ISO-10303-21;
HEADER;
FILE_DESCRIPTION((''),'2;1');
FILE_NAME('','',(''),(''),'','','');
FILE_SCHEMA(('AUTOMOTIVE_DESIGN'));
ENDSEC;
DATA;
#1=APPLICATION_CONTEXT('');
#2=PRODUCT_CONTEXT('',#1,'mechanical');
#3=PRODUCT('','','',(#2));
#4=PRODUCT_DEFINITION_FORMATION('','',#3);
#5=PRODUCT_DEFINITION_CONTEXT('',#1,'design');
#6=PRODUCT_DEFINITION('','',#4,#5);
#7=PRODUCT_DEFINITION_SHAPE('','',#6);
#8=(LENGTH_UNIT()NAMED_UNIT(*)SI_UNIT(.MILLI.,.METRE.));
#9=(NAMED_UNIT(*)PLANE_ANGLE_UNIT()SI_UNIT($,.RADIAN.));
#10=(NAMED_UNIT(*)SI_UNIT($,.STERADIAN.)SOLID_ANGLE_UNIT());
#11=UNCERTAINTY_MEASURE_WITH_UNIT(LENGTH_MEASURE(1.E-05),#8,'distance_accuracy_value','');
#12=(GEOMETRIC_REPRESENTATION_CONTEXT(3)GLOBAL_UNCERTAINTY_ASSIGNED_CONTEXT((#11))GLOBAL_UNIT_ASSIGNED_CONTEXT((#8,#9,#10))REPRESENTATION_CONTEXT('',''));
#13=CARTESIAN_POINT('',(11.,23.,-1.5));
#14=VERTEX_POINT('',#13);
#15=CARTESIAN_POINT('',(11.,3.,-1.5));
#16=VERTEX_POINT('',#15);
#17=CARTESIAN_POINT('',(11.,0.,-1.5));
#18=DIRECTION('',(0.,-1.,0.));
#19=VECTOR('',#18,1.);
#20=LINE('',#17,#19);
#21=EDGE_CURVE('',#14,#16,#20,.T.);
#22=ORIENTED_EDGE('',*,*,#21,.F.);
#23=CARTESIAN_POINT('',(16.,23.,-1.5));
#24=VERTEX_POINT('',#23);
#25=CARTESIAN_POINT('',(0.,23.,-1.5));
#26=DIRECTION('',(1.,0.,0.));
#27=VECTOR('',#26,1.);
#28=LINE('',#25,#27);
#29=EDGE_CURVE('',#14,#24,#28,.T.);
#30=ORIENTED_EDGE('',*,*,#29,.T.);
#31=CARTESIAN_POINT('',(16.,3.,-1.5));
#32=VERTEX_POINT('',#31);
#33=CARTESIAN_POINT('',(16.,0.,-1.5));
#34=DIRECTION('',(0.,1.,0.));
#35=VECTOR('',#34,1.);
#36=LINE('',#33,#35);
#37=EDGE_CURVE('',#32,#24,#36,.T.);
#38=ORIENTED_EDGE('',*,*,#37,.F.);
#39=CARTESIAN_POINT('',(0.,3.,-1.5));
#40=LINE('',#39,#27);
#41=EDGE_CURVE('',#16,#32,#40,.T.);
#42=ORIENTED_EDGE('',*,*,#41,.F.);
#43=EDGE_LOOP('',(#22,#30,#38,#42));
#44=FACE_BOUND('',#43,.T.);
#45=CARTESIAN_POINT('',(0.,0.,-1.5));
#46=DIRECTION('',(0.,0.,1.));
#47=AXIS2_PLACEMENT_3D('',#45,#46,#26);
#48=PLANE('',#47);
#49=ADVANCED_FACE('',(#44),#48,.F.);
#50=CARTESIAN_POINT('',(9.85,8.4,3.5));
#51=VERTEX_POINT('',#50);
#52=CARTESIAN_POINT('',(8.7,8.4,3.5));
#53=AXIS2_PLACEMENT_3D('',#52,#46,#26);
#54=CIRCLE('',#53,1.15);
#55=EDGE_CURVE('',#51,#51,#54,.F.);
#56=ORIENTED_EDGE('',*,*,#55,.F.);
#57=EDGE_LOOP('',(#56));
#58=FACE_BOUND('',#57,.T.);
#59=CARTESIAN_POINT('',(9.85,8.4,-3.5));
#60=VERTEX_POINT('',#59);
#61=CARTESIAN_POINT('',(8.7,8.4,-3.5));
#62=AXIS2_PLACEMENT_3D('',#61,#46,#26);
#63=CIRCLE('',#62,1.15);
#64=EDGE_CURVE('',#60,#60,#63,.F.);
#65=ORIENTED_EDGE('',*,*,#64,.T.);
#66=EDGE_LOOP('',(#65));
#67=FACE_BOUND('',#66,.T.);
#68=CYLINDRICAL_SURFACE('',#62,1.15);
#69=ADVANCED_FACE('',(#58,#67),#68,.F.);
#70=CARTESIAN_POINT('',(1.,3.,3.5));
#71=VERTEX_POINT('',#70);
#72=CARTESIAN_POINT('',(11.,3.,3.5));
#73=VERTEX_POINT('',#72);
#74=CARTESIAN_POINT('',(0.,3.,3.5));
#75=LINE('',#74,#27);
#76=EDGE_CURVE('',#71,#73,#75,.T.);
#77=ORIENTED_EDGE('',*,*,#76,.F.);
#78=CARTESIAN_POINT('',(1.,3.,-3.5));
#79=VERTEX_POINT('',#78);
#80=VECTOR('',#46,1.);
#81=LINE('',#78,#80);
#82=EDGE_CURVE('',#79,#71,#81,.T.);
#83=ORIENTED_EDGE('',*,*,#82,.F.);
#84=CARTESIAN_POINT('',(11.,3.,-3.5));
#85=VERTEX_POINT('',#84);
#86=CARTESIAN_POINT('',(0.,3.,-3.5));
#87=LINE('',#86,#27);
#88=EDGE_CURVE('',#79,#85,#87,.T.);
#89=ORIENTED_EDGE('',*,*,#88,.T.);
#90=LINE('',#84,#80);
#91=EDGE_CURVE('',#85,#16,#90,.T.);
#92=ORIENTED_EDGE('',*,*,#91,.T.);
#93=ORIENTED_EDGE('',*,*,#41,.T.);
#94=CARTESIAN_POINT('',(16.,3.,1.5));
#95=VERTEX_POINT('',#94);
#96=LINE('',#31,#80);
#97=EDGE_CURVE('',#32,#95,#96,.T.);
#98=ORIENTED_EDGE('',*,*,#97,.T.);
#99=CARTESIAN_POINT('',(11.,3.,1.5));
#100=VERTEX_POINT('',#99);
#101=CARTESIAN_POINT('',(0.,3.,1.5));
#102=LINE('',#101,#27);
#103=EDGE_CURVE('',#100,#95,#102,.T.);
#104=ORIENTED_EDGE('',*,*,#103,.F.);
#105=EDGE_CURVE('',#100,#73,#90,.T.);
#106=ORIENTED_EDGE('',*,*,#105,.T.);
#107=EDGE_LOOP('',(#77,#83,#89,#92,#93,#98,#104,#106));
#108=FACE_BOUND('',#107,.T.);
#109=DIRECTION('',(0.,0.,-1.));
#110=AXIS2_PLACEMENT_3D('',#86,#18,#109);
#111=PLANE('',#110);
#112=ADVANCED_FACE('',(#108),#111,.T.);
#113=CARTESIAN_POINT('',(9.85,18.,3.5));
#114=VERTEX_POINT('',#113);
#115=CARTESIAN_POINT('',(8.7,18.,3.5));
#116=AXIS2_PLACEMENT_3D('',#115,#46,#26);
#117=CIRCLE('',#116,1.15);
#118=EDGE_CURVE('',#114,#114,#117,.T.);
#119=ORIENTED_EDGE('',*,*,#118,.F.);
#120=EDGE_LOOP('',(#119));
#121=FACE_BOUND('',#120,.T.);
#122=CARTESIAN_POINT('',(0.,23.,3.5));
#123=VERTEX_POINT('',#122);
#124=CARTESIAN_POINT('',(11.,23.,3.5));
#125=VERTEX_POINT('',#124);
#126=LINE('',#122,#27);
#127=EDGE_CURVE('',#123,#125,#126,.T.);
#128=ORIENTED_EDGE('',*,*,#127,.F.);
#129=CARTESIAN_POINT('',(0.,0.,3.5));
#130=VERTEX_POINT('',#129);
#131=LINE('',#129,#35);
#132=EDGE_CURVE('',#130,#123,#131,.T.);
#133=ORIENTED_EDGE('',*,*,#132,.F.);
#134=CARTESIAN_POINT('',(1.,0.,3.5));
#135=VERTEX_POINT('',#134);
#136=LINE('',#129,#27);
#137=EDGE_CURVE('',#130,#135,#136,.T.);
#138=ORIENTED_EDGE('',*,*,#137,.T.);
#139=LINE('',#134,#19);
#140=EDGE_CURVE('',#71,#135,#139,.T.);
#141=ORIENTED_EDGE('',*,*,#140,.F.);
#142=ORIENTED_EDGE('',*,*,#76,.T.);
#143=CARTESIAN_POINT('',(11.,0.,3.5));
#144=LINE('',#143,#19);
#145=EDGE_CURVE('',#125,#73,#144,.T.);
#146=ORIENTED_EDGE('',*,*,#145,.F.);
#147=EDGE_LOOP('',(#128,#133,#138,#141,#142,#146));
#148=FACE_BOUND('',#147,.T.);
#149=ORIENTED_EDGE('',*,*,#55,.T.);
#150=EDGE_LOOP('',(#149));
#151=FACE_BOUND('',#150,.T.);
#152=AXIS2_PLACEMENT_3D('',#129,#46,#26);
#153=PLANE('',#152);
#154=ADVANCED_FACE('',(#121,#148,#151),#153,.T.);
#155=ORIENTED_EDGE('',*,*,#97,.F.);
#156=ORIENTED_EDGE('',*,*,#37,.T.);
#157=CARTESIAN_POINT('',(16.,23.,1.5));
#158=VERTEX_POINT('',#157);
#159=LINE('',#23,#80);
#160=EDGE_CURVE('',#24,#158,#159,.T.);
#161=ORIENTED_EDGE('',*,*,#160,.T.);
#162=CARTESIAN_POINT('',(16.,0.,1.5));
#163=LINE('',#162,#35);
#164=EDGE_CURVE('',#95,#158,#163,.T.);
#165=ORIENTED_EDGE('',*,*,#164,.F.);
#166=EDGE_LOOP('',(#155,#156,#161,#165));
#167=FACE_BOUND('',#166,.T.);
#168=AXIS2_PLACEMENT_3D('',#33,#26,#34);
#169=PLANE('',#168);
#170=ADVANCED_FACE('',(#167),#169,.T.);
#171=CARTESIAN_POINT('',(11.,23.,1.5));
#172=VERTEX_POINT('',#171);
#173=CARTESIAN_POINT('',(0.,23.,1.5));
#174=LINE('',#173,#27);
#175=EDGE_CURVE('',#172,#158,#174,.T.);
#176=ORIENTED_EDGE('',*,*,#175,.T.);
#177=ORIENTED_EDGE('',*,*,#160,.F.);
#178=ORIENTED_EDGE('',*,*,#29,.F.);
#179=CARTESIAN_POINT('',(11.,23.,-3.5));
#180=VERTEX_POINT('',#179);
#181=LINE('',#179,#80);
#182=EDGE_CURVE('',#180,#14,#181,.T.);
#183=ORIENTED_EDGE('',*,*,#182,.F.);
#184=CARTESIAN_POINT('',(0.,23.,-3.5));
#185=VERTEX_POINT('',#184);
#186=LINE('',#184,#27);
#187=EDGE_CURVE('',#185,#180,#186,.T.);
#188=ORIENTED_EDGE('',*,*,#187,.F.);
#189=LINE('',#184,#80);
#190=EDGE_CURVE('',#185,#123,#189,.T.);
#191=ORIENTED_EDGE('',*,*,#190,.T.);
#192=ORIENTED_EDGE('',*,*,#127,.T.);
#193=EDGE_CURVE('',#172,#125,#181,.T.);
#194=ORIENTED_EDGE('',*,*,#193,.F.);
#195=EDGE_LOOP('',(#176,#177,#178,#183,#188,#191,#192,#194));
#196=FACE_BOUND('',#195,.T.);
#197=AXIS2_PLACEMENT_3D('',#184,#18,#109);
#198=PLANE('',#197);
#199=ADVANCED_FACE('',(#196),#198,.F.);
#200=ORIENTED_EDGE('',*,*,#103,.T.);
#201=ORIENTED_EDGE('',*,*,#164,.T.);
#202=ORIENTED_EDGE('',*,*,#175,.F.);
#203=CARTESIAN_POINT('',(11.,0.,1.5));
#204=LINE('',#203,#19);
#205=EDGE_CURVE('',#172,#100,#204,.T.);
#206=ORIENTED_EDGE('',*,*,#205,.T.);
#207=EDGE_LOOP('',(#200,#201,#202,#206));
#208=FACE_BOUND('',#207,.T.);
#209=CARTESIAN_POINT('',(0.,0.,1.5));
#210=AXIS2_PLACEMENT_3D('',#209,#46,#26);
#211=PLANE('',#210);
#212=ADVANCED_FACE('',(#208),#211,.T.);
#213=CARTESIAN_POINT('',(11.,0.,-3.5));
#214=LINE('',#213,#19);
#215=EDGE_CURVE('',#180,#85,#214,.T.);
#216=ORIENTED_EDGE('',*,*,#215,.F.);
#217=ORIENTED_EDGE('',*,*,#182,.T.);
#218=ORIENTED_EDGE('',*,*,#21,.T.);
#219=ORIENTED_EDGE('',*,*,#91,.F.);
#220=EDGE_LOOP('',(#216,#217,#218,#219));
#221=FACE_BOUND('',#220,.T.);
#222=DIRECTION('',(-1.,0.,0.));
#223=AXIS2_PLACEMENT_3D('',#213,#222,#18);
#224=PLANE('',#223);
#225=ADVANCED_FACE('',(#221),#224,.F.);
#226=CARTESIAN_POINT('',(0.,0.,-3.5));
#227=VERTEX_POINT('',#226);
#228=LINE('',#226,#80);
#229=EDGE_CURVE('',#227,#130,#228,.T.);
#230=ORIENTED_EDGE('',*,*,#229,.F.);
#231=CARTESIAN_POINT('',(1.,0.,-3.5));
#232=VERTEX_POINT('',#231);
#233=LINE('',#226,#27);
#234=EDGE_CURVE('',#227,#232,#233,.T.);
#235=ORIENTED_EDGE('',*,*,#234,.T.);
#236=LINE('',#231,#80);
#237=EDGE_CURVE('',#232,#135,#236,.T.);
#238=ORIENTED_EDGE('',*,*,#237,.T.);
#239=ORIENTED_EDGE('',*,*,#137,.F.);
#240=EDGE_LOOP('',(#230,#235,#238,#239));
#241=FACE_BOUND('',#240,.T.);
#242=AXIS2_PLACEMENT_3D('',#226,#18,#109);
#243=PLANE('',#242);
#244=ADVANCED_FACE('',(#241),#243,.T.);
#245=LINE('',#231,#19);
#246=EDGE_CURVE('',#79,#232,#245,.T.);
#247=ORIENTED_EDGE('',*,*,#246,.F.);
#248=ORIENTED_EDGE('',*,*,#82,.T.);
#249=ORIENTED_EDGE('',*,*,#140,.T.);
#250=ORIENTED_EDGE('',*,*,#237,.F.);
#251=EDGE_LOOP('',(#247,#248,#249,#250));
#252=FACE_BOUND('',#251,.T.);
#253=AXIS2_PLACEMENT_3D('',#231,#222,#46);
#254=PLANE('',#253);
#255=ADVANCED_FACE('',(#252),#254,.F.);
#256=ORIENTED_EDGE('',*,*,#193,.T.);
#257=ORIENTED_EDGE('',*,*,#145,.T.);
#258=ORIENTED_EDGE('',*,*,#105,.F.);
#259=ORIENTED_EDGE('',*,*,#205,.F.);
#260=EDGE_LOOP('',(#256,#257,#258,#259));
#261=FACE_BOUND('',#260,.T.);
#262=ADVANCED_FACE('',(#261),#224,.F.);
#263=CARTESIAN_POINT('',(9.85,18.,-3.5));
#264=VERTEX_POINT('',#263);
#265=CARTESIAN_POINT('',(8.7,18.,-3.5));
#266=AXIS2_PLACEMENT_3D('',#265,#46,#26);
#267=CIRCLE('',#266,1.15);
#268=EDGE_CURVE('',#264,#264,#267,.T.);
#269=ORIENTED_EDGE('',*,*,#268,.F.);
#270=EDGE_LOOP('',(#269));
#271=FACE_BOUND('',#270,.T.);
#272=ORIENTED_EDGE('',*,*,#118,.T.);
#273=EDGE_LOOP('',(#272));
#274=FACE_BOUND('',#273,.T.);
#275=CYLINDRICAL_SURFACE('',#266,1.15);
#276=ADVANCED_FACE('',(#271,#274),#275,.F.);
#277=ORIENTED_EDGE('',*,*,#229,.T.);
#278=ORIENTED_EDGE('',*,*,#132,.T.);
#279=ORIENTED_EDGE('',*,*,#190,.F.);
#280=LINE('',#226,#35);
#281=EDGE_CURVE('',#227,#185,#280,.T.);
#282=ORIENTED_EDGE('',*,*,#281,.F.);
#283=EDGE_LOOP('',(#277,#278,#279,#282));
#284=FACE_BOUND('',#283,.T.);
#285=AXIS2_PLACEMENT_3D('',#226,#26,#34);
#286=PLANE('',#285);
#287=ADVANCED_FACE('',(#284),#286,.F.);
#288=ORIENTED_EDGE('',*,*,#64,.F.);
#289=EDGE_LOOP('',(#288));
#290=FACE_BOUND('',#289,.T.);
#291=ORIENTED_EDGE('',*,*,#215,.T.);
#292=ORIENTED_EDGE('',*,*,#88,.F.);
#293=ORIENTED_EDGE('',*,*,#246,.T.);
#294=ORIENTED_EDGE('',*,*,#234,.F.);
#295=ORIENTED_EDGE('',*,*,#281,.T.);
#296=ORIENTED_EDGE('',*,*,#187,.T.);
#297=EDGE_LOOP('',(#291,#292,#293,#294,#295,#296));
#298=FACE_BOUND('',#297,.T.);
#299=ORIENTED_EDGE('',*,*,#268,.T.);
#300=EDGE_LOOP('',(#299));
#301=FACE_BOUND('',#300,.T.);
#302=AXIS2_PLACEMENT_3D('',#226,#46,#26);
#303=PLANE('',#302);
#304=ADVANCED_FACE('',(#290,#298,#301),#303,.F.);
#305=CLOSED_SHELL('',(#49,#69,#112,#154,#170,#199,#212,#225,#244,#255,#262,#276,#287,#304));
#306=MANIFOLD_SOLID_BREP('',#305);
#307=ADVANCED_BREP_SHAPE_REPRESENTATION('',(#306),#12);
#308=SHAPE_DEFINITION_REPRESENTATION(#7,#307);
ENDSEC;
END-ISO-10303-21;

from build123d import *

# Parameters (mm, degrees)
BOSS_EXTRUDE1_DEPTH      = 3.5
BOSS_EXTRUDE1_DEPTH_BACK = 3.5
SKETCH1_R                = 1.15
BOSS_EXTRUDE2_DEPTH      = 1.5
BOSS_EXTRUDE2_DEPTH_BACK = 1.5
SKETCH1_3_W              = 5
SKETCH1_3_H              = 20


with BuildPart() as part:
    # Sketch1 → Boss-Extrude1 (new, two sides: drawn at the far end of the back side and taken through both)
    with BuildSketch(Plane.XY.offset(-BOSS_EXTRUDE1_DEPTH_BACK)):
        Polygon((1, 0), (1, 3), (11, 3), (11, 23), (0, 23), (0, 0), align=None)
        with Locations((8.7, 8.4)):
            Circle(SKETCH1_R, mode=Mode.SUBTRACT)
        with Locations((8.7, 18)):
            Circle(SKETCH1_R, mode=Mode.SUBTRACT)
    extrude(amount=BOSS_EXTRUDE1_DEPTH + BOSS_EXTRUDE1_DEPTH_BACK)

    # Sketch1<3> → Boss-Extrude2 (add, two sides: drawn at the far end of the back side and taken through both)
    with BuildSketch(Plane.XY.offset(-BOSS_EXTRUDE2_DEPTH_BACK)):
        with Locations((13.5, 13)):
            Rectangle(SKETCH1_3_W, SKETCH1_3_H)
    extrude(amount=BOSS_EXTRUDE2_DEPTH + BOSS_EXTRUDE2_DEPTH_BACK)


solid = part.part
